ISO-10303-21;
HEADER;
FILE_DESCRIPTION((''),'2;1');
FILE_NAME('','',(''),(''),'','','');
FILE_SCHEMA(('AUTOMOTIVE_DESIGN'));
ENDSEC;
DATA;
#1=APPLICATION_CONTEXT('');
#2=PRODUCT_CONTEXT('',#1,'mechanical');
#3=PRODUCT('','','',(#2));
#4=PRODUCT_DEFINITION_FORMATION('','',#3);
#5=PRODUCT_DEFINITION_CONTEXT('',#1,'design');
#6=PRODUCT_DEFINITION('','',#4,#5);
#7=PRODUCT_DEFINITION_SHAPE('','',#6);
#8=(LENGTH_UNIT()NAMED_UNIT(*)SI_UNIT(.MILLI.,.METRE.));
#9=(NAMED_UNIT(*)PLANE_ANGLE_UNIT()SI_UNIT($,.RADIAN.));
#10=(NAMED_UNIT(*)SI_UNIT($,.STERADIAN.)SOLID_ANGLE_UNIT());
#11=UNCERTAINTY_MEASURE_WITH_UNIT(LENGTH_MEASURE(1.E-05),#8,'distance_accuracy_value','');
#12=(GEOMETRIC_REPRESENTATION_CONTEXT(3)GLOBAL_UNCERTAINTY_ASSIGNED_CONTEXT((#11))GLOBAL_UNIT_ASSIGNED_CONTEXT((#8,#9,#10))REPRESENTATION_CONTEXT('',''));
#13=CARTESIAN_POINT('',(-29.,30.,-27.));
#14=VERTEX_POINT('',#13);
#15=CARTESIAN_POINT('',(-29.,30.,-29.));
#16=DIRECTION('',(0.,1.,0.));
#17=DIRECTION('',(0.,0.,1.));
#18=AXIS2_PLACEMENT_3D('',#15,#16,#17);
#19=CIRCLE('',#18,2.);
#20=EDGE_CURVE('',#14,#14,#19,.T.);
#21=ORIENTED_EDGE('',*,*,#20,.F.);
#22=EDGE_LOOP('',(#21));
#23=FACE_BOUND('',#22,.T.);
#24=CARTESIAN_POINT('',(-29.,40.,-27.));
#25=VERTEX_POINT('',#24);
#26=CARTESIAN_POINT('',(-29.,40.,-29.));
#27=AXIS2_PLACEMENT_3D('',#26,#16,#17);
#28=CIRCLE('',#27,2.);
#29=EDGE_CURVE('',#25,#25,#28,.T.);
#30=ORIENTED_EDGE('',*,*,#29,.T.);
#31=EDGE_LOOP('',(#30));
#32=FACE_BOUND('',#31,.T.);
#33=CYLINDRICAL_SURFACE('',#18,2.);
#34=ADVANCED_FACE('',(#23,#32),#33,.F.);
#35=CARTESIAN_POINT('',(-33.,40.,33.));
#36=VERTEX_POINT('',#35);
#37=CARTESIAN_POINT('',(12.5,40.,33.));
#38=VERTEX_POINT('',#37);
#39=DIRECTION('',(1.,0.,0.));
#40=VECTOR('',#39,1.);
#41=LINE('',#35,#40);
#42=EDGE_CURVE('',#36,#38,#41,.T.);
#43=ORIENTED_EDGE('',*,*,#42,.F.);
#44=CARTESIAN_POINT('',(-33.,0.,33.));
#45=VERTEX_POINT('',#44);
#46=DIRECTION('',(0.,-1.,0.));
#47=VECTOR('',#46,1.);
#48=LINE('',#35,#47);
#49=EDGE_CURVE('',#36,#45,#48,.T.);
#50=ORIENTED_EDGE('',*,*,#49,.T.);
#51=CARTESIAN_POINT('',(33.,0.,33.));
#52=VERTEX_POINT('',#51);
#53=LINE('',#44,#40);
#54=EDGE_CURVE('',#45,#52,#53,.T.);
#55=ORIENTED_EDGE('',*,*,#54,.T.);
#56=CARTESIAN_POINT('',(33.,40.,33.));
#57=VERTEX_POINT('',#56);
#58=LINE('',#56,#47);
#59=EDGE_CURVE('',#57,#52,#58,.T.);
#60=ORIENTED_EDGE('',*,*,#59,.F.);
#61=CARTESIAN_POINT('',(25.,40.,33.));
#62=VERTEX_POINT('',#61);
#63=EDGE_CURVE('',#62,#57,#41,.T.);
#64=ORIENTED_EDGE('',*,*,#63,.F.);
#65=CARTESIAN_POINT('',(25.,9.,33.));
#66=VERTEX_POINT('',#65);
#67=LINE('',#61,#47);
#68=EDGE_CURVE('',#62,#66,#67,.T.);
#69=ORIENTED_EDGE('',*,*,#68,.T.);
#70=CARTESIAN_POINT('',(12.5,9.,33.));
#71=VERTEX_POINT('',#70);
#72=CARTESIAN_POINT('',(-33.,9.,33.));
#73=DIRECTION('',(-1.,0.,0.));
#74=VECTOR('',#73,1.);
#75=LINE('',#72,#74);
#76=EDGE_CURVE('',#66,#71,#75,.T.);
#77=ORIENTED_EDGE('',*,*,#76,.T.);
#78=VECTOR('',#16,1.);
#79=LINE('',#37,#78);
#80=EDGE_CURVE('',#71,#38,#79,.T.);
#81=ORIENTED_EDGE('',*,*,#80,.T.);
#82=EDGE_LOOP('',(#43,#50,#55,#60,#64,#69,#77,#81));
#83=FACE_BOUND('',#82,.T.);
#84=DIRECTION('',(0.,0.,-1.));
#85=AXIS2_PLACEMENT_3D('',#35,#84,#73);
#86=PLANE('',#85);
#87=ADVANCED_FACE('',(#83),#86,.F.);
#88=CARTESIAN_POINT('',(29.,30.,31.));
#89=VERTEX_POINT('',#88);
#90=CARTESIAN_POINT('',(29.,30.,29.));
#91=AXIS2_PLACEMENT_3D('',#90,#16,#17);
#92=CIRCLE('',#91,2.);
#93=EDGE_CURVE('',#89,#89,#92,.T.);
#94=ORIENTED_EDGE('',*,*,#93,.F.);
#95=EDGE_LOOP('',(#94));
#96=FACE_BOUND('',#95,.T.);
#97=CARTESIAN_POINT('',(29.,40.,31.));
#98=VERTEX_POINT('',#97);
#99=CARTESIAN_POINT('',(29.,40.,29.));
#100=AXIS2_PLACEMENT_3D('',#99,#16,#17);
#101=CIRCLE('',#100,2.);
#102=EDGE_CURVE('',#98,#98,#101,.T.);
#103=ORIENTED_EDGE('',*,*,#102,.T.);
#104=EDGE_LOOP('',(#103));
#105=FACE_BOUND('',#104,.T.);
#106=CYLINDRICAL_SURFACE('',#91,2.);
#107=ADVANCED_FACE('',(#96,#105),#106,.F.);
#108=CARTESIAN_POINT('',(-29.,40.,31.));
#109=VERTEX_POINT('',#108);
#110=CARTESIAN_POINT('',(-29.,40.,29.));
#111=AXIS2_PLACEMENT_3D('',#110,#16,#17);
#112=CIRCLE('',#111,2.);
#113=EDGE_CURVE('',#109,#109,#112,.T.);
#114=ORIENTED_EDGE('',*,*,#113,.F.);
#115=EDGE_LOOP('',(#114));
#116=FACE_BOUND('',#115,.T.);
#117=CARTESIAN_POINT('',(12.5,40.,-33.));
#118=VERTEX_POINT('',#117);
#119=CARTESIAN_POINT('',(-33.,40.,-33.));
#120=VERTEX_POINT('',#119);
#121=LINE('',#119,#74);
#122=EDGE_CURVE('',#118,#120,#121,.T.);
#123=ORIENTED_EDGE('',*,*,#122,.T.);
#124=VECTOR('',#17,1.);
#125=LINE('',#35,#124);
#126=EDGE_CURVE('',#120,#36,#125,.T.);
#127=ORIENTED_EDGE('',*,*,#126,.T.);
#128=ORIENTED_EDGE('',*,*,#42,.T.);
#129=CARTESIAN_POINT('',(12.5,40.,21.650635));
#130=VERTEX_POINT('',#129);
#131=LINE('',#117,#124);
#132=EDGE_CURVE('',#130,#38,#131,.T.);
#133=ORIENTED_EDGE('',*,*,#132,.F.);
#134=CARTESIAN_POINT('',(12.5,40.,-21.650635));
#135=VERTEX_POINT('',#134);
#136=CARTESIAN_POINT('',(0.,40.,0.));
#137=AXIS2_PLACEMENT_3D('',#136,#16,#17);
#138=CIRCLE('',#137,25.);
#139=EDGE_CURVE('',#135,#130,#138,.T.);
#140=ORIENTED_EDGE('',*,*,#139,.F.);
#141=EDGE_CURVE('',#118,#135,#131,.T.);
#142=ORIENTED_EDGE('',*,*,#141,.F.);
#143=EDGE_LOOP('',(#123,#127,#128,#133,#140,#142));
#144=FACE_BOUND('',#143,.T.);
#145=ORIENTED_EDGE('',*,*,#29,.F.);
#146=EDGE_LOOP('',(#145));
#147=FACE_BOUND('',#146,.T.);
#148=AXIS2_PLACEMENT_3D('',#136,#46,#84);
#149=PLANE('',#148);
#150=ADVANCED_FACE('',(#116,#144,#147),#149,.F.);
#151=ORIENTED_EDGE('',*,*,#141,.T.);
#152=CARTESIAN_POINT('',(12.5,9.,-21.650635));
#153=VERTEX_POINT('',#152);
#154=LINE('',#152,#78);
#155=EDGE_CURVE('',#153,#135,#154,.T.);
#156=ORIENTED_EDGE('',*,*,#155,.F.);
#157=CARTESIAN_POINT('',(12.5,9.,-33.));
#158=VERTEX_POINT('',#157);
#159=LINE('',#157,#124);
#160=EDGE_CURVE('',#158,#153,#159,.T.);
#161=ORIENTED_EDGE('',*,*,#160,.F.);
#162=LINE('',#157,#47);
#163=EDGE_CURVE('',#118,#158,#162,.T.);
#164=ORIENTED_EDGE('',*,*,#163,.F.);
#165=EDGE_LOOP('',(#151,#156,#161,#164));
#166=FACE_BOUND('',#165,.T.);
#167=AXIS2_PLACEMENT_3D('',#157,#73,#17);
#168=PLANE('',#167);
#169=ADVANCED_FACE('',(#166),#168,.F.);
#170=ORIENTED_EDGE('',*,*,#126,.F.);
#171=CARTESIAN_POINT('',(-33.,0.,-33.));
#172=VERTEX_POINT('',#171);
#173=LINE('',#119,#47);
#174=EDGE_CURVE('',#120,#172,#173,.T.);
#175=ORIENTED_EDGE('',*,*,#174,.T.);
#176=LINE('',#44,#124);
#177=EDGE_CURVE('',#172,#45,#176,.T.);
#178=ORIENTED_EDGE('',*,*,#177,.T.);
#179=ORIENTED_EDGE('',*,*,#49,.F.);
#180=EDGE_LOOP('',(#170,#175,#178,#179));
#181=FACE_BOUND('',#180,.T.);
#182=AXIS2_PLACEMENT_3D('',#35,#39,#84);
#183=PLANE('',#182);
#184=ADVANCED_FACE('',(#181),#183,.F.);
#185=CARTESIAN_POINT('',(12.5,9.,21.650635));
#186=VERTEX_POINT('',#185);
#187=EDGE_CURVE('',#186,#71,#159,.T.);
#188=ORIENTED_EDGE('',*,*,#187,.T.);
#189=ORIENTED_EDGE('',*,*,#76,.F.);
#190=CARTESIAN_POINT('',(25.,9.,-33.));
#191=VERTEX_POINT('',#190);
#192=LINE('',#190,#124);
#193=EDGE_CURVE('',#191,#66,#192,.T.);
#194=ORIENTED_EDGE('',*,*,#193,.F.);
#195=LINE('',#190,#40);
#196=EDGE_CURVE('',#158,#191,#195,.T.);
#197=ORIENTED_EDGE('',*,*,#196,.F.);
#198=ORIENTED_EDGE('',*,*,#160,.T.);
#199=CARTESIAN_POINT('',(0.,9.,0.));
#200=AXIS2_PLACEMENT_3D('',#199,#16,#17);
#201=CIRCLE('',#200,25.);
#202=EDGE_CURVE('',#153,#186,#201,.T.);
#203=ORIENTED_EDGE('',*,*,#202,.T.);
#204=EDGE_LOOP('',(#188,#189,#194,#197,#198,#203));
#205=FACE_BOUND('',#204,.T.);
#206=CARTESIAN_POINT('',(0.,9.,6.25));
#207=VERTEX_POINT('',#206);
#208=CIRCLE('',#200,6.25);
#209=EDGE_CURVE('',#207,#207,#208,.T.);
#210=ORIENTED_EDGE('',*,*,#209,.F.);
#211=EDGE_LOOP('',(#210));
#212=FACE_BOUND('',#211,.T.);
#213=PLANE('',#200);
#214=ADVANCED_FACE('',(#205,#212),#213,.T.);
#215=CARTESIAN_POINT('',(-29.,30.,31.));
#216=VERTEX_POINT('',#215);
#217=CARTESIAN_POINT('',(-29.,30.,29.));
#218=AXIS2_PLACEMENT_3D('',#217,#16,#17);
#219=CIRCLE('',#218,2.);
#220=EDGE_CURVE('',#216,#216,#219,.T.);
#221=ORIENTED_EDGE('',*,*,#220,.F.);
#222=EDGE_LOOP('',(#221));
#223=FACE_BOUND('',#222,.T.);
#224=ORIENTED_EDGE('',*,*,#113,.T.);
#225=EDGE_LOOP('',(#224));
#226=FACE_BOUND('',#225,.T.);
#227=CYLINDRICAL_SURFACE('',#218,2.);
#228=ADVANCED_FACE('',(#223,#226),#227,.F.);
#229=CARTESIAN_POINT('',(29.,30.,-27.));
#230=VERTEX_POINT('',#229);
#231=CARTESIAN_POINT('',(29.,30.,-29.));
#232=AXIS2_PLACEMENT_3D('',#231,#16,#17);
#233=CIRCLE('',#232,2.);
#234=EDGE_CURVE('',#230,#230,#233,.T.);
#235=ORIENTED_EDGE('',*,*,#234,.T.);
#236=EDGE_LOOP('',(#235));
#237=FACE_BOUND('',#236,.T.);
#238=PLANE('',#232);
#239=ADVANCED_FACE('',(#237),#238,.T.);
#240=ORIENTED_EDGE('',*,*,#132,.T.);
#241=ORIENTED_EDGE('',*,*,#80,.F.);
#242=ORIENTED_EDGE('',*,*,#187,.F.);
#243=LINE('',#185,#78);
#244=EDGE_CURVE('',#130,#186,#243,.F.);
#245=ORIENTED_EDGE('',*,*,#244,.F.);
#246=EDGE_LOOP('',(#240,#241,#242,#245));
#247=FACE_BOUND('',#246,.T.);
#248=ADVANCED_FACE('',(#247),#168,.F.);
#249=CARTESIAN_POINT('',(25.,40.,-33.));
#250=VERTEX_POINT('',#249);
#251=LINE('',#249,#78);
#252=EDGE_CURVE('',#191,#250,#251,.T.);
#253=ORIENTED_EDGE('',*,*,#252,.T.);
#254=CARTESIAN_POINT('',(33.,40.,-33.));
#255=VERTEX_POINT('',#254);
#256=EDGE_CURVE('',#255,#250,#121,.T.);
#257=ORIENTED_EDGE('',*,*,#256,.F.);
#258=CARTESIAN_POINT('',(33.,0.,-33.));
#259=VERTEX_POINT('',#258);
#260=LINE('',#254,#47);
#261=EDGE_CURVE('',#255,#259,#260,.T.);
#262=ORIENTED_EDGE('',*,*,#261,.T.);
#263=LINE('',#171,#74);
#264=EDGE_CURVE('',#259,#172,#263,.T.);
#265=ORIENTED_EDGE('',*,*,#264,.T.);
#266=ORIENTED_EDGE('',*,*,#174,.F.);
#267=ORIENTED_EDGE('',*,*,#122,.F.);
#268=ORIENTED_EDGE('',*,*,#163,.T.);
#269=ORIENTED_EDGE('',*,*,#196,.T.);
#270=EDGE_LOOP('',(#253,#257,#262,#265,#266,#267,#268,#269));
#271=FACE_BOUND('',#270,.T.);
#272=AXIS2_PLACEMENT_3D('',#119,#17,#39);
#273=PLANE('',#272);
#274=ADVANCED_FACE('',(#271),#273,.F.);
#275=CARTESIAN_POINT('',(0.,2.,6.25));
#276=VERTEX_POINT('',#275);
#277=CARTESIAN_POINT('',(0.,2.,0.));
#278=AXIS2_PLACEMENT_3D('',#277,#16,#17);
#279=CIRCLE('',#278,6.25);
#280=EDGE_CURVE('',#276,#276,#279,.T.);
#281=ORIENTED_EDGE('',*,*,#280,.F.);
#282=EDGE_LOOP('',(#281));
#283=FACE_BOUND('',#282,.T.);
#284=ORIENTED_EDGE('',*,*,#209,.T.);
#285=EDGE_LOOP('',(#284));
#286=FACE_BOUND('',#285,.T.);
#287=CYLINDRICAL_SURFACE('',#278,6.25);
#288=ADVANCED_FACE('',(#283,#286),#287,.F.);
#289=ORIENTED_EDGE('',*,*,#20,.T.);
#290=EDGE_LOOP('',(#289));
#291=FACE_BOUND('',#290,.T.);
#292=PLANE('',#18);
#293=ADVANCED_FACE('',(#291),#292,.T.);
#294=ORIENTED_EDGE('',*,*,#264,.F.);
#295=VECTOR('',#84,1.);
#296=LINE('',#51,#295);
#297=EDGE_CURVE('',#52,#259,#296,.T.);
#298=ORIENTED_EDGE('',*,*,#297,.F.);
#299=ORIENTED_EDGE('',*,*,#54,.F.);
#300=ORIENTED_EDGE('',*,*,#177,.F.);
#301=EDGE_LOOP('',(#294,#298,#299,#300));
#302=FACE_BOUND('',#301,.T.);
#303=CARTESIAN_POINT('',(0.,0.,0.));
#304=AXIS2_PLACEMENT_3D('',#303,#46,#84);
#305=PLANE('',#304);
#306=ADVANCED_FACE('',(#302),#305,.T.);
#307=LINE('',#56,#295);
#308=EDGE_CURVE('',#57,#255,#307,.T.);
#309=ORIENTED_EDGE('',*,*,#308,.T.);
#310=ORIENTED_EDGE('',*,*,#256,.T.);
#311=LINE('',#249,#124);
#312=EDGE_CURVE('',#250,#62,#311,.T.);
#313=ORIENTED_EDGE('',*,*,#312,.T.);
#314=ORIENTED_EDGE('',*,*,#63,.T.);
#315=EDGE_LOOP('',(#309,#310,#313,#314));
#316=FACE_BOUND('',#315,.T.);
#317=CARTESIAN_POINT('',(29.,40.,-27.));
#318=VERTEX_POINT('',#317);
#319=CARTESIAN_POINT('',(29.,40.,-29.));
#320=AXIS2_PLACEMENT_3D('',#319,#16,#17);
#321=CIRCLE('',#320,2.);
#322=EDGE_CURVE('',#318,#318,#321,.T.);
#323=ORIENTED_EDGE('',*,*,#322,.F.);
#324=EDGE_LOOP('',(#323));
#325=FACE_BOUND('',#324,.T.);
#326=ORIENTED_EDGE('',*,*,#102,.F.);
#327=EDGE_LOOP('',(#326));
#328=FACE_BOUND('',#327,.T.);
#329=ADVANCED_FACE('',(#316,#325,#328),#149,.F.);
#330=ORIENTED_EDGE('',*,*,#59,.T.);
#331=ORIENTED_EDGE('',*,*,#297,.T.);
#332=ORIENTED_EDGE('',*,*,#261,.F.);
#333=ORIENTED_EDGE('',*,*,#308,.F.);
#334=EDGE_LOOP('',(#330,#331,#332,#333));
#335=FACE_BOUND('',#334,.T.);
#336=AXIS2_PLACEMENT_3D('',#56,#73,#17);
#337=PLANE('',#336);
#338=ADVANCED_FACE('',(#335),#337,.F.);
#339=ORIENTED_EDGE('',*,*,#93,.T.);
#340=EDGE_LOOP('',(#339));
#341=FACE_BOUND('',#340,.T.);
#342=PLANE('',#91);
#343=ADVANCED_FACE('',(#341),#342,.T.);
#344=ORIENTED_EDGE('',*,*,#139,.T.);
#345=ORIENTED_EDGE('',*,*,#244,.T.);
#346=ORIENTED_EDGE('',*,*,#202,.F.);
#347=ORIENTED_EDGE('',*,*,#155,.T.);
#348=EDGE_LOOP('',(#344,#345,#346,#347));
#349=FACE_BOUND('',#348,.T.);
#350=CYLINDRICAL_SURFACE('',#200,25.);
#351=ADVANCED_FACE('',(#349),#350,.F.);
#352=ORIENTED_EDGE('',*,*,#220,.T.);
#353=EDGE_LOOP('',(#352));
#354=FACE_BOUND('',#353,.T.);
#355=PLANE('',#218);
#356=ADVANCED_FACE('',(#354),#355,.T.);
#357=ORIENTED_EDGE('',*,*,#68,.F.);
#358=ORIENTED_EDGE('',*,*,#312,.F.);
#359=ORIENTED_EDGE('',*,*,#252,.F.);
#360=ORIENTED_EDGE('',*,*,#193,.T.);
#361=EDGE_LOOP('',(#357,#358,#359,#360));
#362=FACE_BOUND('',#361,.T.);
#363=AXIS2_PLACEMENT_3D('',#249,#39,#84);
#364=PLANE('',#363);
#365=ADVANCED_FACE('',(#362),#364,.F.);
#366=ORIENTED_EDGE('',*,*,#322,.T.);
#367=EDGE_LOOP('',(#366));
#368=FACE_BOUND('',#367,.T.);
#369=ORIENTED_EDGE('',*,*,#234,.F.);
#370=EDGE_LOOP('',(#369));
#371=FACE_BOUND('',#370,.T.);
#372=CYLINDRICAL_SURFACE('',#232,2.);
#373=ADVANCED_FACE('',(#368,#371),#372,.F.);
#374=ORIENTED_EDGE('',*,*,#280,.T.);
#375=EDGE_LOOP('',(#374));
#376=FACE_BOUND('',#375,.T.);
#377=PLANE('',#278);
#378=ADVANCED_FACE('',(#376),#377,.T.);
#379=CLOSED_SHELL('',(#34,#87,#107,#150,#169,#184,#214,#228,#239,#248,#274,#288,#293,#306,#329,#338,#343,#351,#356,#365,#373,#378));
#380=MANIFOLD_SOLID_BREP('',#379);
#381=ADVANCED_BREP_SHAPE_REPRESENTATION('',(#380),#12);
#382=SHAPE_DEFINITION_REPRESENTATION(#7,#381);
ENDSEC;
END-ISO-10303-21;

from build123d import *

# Parameters (mm, degrees)
SKETCH1_W               = 66
SKETCH1_H               = 66
BOSS_EXTRUDE1_DEPTH     = 40
SKETCH2_R               = 25
CUT_EXTRUDE1_DEPTH      = 31
SKETCH3_R               = 6.25
CUT_EXTRUDE2_DEPTH      = 7
SKETCH4_W               = 12.5
SKETCH4_H               = 31
CUT_EXTRUDE3_DEPTH      = 1
CUT_EXTRUDE3_DEPTH_BACK = 67
SKETCH5_R               = 2
CUT_EXTRUDE4_DEPTH      = 10


with BuildPart() as part:
    # Sketch1 → Boss-Extrude1 (new body)
    with BuildSketch(Plane(origin=(0, 0, 0), x_dir=(1, 0, 0), z_dir=(0, 1, 0))):
        Rectangle(SKETCH1_W, SKETCH1_H)
    extrude(amount=BOSS_EXTRUDE1_DEPTH)

    # Sketch2 → Cut-Extrude1 (cut)
    with BuildSketch(Plane(origin=(0, 40, 0), x_dir=(1, 0, 0), z_dir=(0, 1, 0))):
        Circle(SKETCH2_R)
    extrude(amount=-CUT_EXTRUDE1_DEPTH, mode=Mode.SUBTRACT)

    # Sketch3 → Cut-Extrude2 (cut)
    with BuildSketch(Plane(origin=(0, 9, 0), x_dir=(1, 0, 0), z_dir=(0, 1, 0))):
        Circle(SKETCH3_R)
    extrude(amount=-CUT_EXTRUDE2_DEPTH, mode=Mode.SUBTRACT)

    # Sketch4 → Cut-Extrude3 (cut, two sides)
    with BuildSketch(Plane.XY.offset(33)) as cut_extrude3_sk:
        with Locations((18.75, 24.5)):
            Rectangle(SKETCH4_W, SKETCH4_H)
    extrude(amount=CUT_EXTRUDE3_DEPTH, mode=Mode.SUBTRACT)
    extrude(cut_extrude3_sk.sketch, amount=-CUT_EXTRUDE3_DEPTH_BACK, mode=Mode.SUBTRACT)

    # Sketch5 → Cut-Extrude4 (cut)
    with BuildSketch(Plane(origin=(0, 40, 0), x_dir=(1, 0, 0), z_dir=(0, 1, 0))):
        with Locations((-29, -29)):
            Circle(SKETCH5_R)
        with Locations((-29, 29)):
            Circle(SKETCH5_R)
        with Locations((29, 29)):
            Circle(SKETCH5_R)
        with Locations((29, -29)):
            Circle(SKETCH5_R)
    extrude(amount=-CUT_EXTRUDE4_DEPTH, mode=Mode.SUBTRACT)


solid = part.part
